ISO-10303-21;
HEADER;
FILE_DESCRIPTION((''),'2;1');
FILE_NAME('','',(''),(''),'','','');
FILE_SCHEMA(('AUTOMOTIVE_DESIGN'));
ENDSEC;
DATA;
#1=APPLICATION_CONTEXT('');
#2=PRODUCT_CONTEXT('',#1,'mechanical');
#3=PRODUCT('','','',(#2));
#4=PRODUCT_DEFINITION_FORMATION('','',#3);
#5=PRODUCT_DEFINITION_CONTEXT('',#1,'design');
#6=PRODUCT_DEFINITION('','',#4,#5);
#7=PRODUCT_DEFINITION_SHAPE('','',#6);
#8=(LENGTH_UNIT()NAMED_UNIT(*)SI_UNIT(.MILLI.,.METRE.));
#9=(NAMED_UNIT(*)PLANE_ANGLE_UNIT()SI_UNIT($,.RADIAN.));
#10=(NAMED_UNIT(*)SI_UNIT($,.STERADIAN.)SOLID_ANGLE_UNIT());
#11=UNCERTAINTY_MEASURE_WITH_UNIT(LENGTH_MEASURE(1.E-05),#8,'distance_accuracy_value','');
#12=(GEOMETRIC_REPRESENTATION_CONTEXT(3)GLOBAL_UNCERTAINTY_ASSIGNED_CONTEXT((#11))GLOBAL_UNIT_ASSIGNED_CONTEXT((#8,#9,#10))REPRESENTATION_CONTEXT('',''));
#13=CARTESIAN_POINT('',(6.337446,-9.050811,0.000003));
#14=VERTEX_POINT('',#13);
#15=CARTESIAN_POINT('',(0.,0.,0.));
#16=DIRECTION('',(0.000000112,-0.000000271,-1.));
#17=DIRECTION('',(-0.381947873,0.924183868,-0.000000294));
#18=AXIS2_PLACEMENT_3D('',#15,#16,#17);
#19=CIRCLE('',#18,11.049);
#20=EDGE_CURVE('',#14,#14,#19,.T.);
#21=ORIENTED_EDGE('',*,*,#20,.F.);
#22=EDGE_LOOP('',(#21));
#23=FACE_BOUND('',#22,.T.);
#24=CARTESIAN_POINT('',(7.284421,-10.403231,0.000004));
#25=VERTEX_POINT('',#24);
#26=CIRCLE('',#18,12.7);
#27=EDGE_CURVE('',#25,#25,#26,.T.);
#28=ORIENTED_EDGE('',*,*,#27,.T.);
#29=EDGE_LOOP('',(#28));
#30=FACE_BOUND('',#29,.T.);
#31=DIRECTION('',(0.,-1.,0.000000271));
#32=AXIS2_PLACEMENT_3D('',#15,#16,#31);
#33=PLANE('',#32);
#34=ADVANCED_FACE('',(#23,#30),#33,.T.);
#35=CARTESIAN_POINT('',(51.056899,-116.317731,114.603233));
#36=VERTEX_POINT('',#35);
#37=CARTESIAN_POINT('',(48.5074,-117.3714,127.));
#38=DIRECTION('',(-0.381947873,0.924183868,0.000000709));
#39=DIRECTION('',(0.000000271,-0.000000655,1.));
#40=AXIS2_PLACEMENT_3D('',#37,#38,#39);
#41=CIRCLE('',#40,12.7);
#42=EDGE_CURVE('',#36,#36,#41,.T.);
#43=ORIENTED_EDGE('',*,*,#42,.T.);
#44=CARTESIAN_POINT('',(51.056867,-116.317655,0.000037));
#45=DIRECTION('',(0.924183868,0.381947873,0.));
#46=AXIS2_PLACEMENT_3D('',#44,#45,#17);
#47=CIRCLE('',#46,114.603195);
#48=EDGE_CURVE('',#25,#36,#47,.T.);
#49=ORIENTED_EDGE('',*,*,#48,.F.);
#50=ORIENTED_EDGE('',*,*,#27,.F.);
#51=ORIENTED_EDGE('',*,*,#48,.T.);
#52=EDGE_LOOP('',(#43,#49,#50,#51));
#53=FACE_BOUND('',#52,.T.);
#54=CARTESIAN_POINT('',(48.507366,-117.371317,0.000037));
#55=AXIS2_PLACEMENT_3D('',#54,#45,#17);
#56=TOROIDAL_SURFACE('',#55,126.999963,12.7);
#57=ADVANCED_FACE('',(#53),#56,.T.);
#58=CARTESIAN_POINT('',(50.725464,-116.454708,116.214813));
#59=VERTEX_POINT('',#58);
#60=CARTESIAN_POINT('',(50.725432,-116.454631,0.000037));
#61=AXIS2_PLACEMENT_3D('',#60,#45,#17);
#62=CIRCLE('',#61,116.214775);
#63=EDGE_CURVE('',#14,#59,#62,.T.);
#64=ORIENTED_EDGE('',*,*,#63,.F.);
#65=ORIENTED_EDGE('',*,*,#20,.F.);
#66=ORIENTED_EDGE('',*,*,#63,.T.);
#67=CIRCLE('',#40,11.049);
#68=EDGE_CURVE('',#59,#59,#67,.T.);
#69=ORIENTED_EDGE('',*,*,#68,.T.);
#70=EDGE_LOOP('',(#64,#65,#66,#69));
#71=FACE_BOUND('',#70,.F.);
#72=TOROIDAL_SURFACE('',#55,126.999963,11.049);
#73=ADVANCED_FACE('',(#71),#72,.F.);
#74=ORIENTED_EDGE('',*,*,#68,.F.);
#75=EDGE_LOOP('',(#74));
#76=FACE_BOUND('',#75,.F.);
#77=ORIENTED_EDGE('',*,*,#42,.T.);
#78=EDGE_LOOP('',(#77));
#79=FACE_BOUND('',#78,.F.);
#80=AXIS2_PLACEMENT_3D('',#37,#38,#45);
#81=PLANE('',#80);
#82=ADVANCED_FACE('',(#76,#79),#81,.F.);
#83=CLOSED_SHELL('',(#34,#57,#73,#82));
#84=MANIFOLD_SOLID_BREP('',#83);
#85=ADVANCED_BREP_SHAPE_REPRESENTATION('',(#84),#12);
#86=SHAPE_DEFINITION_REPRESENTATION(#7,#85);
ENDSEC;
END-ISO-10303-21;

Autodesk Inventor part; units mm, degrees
sketch "Sketch" plane through (0, 0, 0) normal (0, 0, -1) x (0.5736, -0.8192, 0)
  circle A0 centre (0, 0) radius 12.7
  circle A1 centre (0, 0) radius 11.049
  dimension "d0" = 25.4
  dimension "d1" = 1.651
ref_plane "Start Plane" through (0, 0, 0) normal (1, 0, 0) x (0, 1, 0)
ref_plane "End Plane" through (199.4911, 0, 0) normal (1, 0, 0) x (0, 1, 0)
sketch "Sketch2" plane through (0, 0, 0) normal (1, 0, 0) x (0, 1, 0)
  line L0 (0, 0) -> (10, 0)
ref_plane "Work Plane3" through (0, 0, 0) normal (0, 0, -1) x (0, 1, 0)
sketch "Sketch3" plane through (0, 0, 0) normal (0, 0, -1) x (0, 1, 0)
  line L0 (-2, 0) -> (12, 0)
  line L1 (-149.2065, 199.4911) -> (39.6844, 199.4911)
  dimension "d9" = 199.4911
ref_plane "Orientation Work Plane" through (0, 0, 0) normal (0, 0, -1) x (0.5736, -0.8192, 0)
sketch3d "Sweep Path"
  arc A0 (0, 0, 0) -> (48.5074, -117.3714, 127) centre (48.5074, -117.3714, 0) ccw
sweep "Body" add profiles "Sketch" path "Sweep Path"
equation "\"G_OFFSET_START\" = 0"
equation "\"G_OFFSET_END\" = 0"
equation "\"d5\" = d2 + G_OFFSET_END"
equation "\"G_L\" = d9"
equation "\"d2\" = 199.491133"
properties part number "4130_1x0.065" material "Steel, Alloy"
